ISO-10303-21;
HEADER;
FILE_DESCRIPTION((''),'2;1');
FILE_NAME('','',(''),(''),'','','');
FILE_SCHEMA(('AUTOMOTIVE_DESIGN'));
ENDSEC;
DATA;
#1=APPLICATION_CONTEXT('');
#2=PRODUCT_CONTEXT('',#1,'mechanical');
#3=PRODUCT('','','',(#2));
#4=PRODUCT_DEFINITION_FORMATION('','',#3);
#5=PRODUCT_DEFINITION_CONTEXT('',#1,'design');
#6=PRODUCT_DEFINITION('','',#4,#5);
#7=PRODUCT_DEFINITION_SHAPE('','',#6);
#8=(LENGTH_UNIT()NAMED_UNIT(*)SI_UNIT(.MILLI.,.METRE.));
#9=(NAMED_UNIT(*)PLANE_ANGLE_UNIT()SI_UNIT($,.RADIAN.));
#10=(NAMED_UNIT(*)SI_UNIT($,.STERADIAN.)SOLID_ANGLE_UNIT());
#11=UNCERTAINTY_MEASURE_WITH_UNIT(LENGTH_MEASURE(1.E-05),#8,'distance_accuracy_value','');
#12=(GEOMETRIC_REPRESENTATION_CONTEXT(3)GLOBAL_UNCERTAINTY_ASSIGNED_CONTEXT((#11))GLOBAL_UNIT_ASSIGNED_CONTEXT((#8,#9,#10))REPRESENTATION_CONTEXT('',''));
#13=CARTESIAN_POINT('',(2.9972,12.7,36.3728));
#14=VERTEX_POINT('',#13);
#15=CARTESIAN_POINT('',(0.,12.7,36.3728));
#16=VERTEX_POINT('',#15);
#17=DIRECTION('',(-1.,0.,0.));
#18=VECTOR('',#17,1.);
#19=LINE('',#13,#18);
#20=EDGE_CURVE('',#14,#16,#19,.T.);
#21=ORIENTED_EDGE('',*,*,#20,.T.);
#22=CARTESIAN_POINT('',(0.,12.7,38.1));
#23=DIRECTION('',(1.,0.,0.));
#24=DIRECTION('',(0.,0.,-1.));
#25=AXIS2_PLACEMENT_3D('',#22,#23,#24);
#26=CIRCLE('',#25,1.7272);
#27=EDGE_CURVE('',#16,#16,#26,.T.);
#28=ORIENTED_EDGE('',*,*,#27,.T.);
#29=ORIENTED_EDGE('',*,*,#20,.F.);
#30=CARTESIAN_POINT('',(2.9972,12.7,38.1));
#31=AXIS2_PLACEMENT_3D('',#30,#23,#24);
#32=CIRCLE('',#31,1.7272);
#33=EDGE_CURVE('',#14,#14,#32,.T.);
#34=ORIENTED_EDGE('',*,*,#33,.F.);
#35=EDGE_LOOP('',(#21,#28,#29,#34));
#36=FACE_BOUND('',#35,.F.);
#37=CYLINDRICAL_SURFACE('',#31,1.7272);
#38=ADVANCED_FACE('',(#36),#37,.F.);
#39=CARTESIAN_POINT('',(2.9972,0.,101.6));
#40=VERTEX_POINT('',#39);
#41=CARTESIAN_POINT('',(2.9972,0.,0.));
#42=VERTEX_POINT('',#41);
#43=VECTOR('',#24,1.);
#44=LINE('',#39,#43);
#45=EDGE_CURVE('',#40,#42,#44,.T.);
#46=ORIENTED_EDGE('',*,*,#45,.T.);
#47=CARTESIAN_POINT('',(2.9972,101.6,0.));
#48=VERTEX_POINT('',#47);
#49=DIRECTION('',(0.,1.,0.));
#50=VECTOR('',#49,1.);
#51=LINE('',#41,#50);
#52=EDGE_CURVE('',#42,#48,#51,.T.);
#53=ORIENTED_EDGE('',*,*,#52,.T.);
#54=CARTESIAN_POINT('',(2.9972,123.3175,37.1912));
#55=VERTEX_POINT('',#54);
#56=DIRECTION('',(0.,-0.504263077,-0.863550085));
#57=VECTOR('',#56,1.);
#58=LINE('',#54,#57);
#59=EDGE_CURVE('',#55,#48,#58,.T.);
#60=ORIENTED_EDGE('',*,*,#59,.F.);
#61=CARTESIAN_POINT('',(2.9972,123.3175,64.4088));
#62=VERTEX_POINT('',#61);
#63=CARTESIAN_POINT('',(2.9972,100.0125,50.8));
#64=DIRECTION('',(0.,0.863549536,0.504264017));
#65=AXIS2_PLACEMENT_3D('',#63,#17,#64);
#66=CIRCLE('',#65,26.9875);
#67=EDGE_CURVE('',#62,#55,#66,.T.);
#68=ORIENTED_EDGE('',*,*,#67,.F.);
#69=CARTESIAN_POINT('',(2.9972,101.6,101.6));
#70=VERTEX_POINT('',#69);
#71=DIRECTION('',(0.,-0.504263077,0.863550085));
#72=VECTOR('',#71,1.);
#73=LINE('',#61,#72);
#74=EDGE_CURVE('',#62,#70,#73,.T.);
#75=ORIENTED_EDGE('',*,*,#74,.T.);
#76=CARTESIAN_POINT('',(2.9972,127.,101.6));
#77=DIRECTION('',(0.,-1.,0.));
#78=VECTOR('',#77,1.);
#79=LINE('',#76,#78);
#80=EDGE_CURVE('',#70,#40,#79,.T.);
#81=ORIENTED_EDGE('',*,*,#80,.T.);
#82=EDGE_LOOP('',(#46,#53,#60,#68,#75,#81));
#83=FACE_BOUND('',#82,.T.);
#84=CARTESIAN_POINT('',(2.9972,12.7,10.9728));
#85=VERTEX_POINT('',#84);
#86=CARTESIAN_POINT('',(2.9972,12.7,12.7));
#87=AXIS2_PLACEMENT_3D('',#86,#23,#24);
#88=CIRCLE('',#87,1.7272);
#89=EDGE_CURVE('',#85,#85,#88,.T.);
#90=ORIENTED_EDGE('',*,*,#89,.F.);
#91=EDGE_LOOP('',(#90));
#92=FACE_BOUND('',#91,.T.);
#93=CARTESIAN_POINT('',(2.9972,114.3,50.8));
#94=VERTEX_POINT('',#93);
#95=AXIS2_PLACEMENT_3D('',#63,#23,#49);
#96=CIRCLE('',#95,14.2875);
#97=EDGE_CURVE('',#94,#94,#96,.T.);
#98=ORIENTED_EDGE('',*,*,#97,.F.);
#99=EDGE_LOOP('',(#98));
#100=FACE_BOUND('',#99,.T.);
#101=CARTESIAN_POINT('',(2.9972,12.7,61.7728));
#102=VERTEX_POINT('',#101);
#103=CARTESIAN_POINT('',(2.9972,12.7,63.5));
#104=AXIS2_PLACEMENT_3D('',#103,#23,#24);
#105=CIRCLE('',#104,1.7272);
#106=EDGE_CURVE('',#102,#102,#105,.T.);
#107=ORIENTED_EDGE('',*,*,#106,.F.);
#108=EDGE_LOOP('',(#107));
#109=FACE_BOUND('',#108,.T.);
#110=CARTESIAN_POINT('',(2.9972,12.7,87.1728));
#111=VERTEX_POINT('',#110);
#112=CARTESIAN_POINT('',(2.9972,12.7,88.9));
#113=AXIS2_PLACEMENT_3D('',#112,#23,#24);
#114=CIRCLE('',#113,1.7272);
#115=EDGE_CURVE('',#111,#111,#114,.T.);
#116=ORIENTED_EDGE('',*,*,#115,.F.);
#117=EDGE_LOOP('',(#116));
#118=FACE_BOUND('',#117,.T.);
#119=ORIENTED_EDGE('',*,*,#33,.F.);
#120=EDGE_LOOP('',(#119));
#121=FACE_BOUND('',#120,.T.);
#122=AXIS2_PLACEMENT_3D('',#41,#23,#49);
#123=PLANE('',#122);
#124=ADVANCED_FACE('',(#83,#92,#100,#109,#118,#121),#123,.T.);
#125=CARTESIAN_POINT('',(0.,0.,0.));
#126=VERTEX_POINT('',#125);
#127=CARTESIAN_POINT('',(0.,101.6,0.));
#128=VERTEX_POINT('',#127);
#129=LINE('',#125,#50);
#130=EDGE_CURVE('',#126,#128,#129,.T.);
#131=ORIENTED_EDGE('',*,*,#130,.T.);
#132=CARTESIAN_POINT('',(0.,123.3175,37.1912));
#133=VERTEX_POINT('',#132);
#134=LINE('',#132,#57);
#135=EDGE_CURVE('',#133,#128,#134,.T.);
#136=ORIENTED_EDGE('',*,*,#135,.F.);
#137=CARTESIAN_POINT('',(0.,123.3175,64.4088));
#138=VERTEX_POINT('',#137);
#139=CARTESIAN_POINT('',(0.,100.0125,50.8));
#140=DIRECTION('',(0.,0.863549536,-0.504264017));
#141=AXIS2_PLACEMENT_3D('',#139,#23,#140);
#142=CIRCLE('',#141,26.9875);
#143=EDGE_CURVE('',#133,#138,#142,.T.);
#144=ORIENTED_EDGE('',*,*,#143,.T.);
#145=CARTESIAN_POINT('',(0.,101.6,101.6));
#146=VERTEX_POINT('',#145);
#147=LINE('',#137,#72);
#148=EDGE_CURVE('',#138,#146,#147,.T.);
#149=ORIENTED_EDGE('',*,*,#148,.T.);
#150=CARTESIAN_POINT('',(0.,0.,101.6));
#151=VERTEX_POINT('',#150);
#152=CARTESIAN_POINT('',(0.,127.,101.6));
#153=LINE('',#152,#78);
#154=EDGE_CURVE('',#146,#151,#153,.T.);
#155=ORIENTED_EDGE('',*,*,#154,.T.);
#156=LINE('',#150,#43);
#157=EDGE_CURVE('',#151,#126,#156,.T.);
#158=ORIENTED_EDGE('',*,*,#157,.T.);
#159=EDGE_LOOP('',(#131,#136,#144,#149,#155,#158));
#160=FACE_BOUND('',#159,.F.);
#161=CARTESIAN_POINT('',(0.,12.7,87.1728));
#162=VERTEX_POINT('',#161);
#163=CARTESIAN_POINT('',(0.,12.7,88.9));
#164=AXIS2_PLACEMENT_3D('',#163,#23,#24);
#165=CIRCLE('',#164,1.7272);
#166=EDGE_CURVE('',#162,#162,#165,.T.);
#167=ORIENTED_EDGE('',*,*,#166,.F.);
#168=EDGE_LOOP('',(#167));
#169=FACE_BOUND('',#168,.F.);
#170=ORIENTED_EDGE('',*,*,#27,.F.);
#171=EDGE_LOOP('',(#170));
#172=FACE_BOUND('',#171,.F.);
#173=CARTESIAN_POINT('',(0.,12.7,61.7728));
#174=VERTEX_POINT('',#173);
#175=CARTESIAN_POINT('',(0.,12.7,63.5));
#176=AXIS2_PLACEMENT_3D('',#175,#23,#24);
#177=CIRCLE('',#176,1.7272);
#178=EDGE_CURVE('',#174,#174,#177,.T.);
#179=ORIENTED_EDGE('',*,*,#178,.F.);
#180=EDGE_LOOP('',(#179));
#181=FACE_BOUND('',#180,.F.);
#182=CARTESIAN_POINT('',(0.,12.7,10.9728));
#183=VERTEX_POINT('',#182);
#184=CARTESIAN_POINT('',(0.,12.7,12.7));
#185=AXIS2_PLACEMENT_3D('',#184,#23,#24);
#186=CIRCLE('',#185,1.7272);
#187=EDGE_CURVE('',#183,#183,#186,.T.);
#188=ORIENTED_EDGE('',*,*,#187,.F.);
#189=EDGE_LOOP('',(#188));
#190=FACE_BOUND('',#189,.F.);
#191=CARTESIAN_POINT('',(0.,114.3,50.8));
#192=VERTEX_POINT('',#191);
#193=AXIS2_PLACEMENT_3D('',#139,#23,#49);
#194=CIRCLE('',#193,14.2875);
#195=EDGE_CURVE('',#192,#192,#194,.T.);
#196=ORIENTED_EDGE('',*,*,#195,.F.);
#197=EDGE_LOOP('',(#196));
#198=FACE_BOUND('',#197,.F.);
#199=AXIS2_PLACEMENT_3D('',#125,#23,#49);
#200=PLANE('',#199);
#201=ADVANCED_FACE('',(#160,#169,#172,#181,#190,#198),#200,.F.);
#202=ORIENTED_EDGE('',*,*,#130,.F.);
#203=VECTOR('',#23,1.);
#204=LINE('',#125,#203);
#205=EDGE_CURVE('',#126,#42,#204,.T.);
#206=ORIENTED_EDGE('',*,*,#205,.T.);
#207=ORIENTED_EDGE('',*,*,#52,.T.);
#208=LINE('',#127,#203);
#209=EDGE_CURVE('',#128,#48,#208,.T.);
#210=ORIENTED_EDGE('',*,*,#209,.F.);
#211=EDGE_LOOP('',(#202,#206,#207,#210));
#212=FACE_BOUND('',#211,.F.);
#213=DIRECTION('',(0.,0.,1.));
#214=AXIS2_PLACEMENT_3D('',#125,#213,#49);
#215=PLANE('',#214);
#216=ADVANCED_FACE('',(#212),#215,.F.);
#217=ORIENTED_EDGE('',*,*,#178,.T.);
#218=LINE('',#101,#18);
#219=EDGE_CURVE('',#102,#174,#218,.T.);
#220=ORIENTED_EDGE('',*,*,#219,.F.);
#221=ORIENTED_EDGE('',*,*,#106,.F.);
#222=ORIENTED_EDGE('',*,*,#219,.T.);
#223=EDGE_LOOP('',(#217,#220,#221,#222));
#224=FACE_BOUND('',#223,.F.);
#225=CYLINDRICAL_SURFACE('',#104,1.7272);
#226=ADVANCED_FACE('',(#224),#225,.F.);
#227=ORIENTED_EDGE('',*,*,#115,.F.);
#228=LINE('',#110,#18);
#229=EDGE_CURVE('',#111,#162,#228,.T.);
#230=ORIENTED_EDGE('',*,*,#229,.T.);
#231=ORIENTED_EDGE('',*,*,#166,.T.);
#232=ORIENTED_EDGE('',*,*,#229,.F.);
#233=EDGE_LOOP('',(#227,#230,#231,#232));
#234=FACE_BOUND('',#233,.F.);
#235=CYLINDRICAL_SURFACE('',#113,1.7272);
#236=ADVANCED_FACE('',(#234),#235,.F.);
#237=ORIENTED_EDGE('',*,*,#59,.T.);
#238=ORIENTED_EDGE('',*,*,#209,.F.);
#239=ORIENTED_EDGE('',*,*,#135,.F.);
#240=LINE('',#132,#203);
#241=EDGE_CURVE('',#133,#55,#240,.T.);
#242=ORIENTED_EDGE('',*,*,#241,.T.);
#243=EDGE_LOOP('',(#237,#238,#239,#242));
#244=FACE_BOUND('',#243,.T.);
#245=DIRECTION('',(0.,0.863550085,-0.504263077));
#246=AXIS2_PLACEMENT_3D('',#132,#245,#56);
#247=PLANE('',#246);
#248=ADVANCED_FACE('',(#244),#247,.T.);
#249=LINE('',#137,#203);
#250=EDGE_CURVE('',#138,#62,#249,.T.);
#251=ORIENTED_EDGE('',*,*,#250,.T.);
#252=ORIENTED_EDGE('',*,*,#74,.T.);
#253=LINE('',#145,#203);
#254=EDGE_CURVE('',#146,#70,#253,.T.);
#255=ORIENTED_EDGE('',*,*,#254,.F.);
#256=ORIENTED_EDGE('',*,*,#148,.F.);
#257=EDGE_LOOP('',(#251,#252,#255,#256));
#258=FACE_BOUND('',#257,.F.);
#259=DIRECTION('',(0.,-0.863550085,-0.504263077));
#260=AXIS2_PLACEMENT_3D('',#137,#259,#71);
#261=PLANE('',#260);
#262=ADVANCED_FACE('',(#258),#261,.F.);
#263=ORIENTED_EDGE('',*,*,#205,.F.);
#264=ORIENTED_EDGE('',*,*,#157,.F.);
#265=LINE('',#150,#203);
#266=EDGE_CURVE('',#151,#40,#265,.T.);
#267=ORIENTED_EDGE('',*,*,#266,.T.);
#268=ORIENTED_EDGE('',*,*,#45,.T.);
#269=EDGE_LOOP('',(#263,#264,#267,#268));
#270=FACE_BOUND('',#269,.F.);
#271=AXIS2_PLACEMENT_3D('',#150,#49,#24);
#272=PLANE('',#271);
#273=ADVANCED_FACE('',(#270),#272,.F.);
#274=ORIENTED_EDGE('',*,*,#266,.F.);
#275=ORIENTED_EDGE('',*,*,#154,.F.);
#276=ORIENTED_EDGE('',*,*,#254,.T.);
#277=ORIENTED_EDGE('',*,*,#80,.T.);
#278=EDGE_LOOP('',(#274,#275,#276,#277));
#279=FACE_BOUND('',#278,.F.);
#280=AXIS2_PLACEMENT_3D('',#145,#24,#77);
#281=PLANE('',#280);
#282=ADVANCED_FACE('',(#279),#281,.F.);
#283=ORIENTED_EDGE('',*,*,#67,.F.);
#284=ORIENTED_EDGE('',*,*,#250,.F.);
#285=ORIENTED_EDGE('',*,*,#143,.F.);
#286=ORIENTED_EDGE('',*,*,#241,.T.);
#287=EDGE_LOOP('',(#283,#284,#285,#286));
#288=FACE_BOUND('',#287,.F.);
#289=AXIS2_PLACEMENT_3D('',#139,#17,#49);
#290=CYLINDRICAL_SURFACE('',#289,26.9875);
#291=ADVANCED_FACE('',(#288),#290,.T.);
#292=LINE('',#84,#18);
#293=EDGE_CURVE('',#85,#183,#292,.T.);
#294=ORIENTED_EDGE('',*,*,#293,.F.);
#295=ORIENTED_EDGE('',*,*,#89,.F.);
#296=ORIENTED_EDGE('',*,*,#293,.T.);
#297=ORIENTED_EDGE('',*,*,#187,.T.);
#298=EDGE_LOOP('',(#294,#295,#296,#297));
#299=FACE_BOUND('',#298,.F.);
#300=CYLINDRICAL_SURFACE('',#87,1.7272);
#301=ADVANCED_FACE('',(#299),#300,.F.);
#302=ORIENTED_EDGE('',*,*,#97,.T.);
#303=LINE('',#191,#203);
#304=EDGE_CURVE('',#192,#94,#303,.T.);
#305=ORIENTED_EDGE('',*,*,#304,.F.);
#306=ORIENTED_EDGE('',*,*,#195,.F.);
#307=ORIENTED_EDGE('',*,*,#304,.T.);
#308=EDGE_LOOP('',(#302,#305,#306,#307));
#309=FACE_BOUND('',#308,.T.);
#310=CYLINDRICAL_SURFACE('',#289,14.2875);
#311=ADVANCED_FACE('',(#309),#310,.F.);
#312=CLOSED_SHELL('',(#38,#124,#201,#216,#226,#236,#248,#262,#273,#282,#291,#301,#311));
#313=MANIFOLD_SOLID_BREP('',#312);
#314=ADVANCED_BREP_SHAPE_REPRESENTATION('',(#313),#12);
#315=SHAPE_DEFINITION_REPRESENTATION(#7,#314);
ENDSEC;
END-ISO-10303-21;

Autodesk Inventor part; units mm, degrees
ref_plane "YZ Plane" through (0, 0, 0) normal (1, 0, 0) x (0, 1, 0)
ref_plane "XZ Plane" through (0, 0, 0) normal (0, 1, 0) x (-1, 0, 0)
ref_plane "XY Plane" through (0, 0, 0) normal (0, 0, 1) x (1, 0, 0)
sketch "Sketch1" plane through (0, 0, 0) normal (1, 0, 0) x (0, 1, 0)
  line L0 (127, 101.6) -> (0, 101.6)
  line L1 (0, 101.6) -> (0, 0)
  line L2 (0, 0) -> (127, 0)
  line L3 (127, 0) -> (127, 101.6)
  circle A0 centre (100.0125, 50.8) radius 14.2875
  circle A1 centre (100.0125, 50.8) radius 26.9875
  line L4 (123.3175, 64.4088) -> (101.6, 101.6)
  line L5 (123.3175, 37.1912) -> (101.6, 0)
  dimension "d0" = 101.6
  dimension "d1" = 127
  dimension "d2" = 12.7
  dimension "d3" = 50.8
  dimension "d5" = 28.575
  dimension "d6" = 101.6
  dimension "d7" = 101.6
extrude "Extrusion1" add sketch "Sketch1" along normal blind 2.9972 contours L4 A1 L5 L2 L1 L0 | A1
sketch "Sketch2" plane through (2.9972, 0, 0) normal (1, 0, 0) x (0, 0, -1)
  circle A0 centre (-88.9, 12.7) radius 1.7272
  line L0 (-101.6, 101.6) -> (-101.6, 0) projected
  line L1 (-101.6, 0) -> (0, 0) projected
  dimension "d10" = 12.7
  dimension "d11" = 12.7
  dimension "d12" = 3.4544
extrude "Extrusion2" cut sketch "Sketch2" against normal blind 2.9972
pattern_linear "Rectangular Pattern1" count 4 spacing 25.4 along (0, 0, -1) of "Extrusion2"
properties part number "Jeep Plate 2.1" material "Polycarbonate, Clear"
